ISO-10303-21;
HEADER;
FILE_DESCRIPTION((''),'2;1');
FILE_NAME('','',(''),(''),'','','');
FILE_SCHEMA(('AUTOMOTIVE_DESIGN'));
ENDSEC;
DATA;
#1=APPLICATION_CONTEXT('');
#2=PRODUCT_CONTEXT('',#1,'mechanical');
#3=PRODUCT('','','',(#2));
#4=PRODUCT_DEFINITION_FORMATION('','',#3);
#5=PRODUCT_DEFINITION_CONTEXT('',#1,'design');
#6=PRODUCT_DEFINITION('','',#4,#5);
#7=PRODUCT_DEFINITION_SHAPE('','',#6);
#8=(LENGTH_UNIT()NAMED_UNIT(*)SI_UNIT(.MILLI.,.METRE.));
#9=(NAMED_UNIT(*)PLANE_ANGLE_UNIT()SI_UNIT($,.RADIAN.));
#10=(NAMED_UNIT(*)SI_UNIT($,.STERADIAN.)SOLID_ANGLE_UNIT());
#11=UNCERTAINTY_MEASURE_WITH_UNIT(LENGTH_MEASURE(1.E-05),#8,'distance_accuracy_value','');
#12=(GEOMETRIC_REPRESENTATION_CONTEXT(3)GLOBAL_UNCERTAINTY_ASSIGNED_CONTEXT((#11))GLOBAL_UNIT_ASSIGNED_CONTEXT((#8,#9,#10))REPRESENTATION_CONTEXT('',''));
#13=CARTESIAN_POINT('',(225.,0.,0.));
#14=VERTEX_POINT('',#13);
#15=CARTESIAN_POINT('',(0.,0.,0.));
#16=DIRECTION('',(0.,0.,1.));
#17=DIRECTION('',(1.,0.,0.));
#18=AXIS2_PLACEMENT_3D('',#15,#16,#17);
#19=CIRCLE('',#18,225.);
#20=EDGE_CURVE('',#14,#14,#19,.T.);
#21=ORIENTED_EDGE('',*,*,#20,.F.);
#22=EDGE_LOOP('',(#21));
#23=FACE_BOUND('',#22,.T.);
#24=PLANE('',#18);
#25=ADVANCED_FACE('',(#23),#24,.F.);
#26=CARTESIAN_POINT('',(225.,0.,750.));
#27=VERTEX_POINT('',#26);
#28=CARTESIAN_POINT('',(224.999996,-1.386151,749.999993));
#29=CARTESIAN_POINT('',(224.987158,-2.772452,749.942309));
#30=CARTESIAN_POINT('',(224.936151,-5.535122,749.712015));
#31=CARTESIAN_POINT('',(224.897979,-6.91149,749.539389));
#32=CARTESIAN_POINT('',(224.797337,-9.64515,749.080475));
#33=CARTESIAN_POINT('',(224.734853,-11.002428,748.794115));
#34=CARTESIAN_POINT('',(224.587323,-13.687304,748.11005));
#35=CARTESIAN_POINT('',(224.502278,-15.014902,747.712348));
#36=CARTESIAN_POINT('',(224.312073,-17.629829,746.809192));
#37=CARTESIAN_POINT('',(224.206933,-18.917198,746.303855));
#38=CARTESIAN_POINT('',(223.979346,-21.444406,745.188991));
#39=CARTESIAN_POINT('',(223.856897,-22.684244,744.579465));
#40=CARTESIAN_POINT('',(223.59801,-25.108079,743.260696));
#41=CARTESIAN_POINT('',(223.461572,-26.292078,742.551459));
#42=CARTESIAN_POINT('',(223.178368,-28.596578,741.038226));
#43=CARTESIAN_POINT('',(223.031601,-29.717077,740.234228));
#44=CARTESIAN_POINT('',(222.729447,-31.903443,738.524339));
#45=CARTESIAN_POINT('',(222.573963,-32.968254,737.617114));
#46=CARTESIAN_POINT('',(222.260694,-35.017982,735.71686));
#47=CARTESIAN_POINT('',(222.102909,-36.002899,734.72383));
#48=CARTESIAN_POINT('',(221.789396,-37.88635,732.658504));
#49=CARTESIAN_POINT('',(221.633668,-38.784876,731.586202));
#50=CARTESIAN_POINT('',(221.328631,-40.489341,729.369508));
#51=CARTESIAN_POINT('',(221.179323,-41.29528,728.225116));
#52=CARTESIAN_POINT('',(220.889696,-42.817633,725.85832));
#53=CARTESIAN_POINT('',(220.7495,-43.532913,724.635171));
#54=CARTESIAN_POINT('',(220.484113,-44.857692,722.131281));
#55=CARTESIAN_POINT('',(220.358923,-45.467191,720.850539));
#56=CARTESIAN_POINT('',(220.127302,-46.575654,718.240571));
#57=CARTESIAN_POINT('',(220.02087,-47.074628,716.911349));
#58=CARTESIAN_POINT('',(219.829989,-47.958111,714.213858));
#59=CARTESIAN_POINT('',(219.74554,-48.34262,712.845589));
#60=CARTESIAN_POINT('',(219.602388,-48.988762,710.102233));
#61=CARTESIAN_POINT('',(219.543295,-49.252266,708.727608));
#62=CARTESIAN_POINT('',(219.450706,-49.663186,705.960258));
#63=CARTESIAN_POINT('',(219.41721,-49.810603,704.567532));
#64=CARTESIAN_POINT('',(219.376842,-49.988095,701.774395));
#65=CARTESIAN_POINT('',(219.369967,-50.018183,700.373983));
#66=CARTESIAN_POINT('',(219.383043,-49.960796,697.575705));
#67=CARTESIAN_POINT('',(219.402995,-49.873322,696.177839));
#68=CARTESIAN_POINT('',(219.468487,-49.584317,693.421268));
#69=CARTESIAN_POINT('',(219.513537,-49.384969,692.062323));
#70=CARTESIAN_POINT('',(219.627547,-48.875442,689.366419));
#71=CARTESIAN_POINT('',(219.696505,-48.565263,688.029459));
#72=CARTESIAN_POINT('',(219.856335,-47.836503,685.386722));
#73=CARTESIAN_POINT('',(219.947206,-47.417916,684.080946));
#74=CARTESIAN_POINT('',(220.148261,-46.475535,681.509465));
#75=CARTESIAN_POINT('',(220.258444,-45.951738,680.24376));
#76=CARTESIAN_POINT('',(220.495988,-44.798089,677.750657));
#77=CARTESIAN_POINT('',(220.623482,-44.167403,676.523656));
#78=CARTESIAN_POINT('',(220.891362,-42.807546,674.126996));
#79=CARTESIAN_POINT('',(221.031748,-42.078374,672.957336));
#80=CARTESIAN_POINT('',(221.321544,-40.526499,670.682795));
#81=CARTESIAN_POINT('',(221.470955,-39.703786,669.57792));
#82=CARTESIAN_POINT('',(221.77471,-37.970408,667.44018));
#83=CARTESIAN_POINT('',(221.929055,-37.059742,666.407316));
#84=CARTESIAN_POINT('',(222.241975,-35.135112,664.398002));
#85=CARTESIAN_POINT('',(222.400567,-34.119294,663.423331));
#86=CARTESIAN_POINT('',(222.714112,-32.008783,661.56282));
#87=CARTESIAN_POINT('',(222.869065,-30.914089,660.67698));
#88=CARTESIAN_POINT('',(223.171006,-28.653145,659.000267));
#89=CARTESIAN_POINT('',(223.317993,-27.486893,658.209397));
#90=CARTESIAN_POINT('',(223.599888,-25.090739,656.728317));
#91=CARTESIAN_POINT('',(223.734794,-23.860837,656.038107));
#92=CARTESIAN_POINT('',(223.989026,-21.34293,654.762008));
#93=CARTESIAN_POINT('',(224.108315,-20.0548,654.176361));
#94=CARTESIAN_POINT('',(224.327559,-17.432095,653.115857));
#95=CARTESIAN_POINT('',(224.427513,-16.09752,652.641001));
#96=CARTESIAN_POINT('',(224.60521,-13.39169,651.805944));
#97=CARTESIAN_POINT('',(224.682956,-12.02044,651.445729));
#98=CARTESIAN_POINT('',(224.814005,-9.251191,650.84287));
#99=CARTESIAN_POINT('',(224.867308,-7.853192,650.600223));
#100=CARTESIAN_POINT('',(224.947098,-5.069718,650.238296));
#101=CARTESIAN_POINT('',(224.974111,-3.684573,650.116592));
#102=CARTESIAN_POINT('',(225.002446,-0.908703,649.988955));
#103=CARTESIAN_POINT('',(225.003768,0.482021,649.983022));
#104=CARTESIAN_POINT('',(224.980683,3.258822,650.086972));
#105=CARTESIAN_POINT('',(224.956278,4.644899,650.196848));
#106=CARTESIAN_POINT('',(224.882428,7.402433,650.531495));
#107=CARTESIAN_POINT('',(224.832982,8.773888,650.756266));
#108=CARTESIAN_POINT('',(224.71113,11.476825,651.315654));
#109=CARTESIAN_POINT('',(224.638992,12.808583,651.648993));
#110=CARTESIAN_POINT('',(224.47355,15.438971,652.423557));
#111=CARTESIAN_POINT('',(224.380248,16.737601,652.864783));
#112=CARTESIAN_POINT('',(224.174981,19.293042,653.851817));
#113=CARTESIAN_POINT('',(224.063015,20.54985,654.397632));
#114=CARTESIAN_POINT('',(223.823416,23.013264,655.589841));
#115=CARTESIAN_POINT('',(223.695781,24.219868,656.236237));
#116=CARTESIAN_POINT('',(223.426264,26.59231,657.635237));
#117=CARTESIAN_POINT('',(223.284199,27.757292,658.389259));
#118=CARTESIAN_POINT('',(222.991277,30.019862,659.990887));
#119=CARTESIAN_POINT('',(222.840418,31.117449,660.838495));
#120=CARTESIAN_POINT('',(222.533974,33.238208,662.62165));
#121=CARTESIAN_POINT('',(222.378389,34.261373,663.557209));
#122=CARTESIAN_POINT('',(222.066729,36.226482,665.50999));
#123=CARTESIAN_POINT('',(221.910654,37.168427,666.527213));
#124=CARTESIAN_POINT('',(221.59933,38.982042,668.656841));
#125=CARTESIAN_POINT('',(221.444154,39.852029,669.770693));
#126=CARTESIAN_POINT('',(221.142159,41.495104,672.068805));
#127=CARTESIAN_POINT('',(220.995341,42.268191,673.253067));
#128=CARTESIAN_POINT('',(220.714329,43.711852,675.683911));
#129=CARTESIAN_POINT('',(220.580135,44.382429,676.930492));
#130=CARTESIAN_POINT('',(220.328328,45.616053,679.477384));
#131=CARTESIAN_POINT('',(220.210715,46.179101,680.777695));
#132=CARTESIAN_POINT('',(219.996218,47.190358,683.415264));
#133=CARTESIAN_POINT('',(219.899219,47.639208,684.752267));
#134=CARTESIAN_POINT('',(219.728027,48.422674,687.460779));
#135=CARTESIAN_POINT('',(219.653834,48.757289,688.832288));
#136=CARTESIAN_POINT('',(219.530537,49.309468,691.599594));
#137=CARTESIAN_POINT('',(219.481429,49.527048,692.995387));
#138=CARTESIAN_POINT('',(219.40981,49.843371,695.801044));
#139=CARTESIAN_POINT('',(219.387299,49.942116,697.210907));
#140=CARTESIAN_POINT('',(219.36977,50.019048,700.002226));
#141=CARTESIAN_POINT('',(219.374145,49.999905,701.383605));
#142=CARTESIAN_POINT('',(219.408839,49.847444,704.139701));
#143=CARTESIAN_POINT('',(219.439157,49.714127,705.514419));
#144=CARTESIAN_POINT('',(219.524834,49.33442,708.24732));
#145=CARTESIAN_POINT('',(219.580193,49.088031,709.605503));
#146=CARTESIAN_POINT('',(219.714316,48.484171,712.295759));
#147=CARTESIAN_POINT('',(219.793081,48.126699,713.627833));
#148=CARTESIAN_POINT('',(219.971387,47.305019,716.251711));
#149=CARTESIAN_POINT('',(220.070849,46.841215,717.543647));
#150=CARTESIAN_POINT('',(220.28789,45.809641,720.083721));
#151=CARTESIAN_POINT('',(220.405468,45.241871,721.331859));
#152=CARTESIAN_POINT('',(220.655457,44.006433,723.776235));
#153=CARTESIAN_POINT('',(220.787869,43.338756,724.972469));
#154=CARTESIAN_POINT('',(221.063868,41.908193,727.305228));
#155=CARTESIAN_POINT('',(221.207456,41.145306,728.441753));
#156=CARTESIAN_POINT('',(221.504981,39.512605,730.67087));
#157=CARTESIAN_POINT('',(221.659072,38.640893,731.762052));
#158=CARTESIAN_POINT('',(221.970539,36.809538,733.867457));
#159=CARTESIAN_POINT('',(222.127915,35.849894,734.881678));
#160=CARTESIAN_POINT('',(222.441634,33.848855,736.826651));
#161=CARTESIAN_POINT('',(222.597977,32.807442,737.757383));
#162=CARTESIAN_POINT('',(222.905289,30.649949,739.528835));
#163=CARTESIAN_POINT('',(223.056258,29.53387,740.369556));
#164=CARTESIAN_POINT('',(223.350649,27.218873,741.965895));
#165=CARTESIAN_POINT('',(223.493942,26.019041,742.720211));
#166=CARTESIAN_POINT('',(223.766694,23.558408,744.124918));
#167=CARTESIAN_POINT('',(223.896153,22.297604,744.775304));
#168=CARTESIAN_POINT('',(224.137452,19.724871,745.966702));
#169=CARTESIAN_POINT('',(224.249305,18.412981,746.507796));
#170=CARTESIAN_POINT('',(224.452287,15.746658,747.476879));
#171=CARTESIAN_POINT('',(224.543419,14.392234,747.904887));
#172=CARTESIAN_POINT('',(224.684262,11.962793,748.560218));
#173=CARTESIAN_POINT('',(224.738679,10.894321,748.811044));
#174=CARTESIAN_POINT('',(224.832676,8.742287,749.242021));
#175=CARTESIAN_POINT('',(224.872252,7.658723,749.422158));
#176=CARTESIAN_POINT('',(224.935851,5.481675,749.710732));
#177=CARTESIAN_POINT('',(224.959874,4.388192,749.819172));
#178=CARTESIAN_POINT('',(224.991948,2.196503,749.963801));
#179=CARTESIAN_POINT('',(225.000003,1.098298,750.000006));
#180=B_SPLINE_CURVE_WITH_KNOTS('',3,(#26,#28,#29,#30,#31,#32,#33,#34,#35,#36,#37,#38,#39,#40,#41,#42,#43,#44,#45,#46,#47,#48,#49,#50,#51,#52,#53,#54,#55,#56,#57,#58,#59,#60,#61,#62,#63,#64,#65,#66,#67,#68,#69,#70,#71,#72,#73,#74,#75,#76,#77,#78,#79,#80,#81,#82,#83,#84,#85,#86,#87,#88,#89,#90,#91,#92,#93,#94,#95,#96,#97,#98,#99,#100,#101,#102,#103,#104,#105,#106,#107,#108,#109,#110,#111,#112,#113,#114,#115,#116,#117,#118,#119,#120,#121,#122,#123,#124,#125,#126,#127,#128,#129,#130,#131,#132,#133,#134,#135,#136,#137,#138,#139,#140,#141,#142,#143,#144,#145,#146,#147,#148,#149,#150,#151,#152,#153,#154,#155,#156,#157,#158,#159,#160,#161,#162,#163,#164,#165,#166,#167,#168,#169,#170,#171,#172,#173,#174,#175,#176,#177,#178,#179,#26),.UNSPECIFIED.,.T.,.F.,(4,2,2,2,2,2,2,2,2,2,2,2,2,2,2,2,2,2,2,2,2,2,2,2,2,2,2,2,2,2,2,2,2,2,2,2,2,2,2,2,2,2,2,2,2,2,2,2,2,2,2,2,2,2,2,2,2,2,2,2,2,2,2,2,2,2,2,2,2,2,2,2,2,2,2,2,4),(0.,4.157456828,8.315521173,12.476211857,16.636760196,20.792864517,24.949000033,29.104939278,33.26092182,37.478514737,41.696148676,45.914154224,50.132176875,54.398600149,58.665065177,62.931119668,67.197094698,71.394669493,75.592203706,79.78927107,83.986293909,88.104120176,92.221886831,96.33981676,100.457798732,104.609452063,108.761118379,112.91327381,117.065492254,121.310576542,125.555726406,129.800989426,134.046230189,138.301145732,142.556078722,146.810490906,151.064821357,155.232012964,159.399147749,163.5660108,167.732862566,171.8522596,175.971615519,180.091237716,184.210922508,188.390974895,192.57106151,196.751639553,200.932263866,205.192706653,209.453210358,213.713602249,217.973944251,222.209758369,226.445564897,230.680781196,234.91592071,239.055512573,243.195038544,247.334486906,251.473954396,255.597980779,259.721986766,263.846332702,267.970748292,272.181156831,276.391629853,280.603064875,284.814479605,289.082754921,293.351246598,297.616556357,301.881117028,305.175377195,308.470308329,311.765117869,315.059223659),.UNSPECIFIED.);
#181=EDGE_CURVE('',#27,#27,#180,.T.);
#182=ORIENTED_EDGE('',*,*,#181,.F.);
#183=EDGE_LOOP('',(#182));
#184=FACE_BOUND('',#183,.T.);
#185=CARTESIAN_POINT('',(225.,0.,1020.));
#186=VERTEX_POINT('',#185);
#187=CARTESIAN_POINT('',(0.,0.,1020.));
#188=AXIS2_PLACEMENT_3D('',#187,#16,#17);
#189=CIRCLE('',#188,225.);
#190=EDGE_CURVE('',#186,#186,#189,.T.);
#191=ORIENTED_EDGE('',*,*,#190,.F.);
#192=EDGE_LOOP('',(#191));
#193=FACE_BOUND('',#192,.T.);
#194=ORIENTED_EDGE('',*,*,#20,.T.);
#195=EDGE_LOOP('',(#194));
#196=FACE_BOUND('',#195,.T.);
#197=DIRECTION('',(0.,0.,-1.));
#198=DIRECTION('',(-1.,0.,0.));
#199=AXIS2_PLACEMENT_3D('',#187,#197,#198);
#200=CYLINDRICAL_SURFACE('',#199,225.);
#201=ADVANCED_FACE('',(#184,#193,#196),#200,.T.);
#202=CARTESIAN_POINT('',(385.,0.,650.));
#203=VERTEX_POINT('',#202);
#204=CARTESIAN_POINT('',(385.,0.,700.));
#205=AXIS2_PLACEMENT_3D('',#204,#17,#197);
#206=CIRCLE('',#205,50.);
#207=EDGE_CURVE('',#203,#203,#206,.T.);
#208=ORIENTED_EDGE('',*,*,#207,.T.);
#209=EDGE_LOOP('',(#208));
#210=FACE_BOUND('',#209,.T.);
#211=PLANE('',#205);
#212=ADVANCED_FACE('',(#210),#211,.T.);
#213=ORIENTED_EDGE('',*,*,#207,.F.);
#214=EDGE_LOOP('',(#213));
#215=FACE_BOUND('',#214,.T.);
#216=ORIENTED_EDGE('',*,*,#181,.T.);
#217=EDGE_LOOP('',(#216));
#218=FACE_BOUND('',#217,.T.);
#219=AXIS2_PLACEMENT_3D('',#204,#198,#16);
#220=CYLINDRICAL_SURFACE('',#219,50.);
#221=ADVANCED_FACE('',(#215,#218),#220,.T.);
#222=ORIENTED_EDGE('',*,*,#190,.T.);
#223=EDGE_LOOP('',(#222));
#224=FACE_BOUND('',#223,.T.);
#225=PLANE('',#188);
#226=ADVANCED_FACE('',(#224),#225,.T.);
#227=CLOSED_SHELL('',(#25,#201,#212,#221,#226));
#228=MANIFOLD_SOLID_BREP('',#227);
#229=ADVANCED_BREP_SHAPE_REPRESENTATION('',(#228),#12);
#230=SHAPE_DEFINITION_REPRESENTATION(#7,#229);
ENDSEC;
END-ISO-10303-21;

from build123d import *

# Parameters (mm, degrees)
CROQUIS1_R              = 225
SALIENTE_EXTRUIR1_DEPTH = 1020
CROQUIS2_R              = 50
SALIENTE_EXTRUIR2_DEPTH = 385


with BuildPart() as part:
    # Croquis1 → Saliente-Extruir1 (new body)
    with BuildSketch(Plane.XY):
        Circle(CROQUIS1_R)
    extrude(amount=SALIENTE_EXTRUIR1_DEPTH)

    # Croquis2 → Saliente-Extruir2 (add)
    with BuildSketch(Plane(origin=(0, 0, 0), x_dir=(0, 0, -1), z_dir=(1, 0, 0))):
        with Locations((-700, 0)):
            Circle(CROQUIS2_R)
    extrude(amount=SALIENTE_EXTRUIR2_DEPTH)


solid = part.part
